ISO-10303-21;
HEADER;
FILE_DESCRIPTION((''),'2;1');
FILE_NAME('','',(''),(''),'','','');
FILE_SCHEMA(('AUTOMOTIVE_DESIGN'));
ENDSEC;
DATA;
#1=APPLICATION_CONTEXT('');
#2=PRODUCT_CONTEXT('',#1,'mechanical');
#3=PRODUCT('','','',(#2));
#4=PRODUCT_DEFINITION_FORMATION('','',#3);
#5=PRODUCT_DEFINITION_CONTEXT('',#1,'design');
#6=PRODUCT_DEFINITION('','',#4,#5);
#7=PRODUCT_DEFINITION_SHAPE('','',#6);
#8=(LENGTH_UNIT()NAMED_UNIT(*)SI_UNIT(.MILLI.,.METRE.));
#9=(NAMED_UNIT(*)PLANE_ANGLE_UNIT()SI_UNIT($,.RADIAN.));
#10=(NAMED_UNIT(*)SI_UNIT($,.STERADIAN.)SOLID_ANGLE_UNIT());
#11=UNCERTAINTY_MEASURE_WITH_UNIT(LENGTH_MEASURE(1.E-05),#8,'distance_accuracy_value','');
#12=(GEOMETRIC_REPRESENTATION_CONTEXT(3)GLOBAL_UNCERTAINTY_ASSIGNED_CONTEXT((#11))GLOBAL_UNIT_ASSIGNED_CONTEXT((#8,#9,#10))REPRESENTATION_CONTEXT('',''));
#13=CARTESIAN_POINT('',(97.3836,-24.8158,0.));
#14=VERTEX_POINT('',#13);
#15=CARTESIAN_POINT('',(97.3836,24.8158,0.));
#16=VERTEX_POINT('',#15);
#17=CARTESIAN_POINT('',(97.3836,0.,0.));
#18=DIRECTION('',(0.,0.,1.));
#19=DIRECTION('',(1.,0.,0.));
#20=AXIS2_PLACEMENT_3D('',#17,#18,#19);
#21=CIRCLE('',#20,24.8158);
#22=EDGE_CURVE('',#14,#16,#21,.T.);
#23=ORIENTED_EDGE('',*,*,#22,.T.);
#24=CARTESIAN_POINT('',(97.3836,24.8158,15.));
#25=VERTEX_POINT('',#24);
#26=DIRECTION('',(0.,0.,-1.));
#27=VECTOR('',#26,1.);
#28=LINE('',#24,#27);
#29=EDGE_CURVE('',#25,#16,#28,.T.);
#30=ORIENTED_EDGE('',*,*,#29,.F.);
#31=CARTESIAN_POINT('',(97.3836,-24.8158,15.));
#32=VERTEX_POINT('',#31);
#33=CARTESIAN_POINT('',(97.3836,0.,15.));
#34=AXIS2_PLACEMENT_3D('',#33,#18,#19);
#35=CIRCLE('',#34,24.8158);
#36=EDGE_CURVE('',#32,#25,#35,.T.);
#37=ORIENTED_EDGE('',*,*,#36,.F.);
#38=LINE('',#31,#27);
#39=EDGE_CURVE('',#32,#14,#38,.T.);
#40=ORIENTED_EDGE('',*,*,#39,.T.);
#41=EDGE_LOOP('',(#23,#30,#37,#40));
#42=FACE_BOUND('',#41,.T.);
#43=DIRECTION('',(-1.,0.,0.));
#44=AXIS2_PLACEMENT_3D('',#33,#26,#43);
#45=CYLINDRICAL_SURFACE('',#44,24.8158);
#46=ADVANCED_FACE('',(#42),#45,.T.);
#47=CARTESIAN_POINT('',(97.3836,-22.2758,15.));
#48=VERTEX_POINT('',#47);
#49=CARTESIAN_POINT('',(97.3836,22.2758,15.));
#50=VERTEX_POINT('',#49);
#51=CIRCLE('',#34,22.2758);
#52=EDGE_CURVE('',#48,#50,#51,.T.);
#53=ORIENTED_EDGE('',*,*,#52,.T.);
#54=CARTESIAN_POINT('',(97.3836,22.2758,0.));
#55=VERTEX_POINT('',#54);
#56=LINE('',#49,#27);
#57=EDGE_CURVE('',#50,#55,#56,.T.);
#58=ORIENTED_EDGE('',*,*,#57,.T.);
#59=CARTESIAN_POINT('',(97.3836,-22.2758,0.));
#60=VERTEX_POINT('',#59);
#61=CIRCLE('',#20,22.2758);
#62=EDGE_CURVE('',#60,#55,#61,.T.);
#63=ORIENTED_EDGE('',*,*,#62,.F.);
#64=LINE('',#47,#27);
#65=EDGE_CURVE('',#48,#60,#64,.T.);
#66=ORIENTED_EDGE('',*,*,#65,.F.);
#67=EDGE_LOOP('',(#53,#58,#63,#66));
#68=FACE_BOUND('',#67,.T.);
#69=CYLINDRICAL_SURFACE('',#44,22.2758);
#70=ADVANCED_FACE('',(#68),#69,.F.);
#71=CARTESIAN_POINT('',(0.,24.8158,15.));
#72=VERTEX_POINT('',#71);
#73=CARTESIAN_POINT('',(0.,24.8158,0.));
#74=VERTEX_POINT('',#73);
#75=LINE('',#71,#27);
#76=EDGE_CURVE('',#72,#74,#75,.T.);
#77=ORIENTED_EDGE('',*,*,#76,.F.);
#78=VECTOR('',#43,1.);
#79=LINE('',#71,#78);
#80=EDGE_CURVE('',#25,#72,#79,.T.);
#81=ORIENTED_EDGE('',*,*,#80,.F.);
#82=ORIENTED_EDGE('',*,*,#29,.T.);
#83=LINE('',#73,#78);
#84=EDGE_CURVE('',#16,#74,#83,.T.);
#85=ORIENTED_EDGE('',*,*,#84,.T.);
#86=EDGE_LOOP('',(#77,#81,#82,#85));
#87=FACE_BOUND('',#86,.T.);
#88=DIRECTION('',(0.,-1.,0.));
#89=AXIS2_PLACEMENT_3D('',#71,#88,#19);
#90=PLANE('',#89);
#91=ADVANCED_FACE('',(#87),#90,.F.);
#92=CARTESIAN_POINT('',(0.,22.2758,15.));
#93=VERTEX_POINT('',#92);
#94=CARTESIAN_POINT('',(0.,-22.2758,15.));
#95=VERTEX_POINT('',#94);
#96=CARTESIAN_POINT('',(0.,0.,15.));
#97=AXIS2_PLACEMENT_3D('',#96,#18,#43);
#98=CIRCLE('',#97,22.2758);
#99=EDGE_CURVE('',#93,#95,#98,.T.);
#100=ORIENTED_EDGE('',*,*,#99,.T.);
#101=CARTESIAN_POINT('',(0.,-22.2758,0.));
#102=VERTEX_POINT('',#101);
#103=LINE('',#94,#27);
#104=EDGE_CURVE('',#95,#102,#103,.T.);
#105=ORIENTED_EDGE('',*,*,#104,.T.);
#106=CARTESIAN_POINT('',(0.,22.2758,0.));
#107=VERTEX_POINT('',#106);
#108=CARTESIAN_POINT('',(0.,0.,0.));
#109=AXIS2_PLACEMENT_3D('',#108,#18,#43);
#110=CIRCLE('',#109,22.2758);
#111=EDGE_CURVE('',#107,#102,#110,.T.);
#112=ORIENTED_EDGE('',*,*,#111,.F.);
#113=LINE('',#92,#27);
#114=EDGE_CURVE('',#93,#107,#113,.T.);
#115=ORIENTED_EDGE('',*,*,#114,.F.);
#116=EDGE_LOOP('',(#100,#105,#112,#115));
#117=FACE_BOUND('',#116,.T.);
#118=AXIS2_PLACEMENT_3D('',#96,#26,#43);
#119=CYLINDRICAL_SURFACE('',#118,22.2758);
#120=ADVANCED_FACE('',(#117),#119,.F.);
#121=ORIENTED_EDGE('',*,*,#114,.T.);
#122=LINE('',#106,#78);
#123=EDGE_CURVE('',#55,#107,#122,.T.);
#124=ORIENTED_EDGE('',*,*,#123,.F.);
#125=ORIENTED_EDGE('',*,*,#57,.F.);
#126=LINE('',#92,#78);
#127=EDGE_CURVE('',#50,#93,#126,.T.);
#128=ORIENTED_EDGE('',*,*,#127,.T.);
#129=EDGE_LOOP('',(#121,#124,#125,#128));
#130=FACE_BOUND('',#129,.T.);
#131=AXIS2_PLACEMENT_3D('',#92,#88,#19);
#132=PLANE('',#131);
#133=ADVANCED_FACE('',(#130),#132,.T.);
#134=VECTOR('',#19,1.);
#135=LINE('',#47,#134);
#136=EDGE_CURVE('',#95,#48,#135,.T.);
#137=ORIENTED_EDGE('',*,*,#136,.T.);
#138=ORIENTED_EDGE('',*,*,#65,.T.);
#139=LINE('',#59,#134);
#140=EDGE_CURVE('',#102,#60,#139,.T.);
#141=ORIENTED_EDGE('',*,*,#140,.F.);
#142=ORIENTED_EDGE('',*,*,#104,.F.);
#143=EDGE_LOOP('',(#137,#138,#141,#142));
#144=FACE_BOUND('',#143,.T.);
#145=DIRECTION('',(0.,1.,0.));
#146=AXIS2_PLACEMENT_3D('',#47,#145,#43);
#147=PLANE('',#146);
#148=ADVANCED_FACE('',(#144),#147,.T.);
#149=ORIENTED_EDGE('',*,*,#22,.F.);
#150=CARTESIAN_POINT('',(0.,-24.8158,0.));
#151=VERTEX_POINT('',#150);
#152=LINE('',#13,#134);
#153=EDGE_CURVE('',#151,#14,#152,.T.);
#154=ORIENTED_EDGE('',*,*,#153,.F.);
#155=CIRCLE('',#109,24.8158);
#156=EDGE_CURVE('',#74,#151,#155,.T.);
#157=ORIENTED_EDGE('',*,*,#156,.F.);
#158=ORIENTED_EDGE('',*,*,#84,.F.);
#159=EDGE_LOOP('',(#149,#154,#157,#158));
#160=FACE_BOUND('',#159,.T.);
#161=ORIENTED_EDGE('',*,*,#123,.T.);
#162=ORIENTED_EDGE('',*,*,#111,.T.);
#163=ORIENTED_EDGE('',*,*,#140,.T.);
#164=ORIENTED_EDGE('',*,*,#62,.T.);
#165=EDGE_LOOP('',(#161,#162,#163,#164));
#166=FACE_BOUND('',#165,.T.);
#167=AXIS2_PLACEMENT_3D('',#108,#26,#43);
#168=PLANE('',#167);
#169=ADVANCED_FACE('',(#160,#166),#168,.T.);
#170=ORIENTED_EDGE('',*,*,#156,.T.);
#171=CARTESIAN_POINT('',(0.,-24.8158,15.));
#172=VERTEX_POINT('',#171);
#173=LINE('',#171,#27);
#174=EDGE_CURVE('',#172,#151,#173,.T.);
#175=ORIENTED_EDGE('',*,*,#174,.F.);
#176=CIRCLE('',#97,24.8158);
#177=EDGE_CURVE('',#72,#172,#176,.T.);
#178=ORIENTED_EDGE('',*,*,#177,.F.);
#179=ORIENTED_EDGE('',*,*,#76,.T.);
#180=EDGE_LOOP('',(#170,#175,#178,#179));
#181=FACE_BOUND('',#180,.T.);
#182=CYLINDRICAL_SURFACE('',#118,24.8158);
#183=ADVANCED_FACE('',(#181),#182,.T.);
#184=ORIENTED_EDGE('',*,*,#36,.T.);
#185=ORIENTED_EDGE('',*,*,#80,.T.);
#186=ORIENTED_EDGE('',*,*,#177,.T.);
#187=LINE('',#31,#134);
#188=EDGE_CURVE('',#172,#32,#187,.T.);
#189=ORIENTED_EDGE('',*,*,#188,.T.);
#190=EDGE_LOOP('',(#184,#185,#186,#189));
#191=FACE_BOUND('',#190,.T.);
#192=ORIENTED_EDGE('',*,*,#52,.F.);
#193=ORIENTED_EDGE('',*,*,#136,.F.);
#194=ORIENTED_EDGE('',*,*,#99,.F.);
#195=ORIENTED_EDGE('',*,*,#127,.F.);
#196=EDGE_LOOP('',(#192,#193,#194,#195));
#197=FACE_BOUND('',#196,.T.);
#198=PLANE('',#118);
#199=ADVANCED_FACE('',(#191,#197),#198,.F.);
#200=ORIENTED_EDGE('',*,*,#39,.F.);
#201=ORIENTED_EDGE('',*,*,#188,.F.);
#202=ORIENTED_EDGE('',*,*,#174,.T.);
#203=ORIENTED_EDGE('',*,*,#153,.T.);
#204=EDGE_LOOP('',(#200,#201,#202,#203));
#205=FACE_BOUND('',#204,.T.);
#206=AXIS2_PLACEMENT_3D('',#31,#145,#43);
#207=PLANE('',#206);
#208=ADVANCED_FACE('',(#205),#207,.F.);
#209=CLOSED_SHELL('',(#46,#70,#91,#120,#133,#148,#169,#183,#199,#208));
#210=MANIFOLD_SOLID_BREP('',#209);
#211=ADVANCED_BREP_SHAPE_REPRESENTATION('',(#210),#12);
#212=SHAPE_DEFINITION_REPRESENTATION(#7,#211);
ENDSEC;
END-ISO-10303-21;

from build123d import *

# Parameters (mm, degrees)
BOSS_EXTRUDE1_DEPTH = 15


with BuildPart() as part:
    # Sketch1 → Boss-Extrude1 (new body)
    with BuildSketch(Plane.XY):
        with BuildLine():
            Line((0, 24.8158), (97.3836, 24.8158))
            ThreePointArc((97.3836, 24.8158), (122.1994, 0), (97.3836, -24.8158))
            Line((97.3836, -24.8158), (0, -24.8158))
            ThreePointArc((0, -24.8158), (-24.8158, 0), (0, 24.8158))
        make_face()
        with BuildLine():
            Line((0, 22.2758), (97.3836, 22.2758))
            ThreePointArc((97.3836, 22.2758), (119.6594, 0), (97.3836, -22.2758))
            Line((97.3836, -22.2758), (0, -22.2758))
            ThreePointArc((0, -22.2758), (-22.2758, 0), (0, 22.2758))
        make_face(mode=Mode.SUBTRACT)
    extrude(amount=BOSS_EXTRUDE1_DEPTH)


solid = part.part
